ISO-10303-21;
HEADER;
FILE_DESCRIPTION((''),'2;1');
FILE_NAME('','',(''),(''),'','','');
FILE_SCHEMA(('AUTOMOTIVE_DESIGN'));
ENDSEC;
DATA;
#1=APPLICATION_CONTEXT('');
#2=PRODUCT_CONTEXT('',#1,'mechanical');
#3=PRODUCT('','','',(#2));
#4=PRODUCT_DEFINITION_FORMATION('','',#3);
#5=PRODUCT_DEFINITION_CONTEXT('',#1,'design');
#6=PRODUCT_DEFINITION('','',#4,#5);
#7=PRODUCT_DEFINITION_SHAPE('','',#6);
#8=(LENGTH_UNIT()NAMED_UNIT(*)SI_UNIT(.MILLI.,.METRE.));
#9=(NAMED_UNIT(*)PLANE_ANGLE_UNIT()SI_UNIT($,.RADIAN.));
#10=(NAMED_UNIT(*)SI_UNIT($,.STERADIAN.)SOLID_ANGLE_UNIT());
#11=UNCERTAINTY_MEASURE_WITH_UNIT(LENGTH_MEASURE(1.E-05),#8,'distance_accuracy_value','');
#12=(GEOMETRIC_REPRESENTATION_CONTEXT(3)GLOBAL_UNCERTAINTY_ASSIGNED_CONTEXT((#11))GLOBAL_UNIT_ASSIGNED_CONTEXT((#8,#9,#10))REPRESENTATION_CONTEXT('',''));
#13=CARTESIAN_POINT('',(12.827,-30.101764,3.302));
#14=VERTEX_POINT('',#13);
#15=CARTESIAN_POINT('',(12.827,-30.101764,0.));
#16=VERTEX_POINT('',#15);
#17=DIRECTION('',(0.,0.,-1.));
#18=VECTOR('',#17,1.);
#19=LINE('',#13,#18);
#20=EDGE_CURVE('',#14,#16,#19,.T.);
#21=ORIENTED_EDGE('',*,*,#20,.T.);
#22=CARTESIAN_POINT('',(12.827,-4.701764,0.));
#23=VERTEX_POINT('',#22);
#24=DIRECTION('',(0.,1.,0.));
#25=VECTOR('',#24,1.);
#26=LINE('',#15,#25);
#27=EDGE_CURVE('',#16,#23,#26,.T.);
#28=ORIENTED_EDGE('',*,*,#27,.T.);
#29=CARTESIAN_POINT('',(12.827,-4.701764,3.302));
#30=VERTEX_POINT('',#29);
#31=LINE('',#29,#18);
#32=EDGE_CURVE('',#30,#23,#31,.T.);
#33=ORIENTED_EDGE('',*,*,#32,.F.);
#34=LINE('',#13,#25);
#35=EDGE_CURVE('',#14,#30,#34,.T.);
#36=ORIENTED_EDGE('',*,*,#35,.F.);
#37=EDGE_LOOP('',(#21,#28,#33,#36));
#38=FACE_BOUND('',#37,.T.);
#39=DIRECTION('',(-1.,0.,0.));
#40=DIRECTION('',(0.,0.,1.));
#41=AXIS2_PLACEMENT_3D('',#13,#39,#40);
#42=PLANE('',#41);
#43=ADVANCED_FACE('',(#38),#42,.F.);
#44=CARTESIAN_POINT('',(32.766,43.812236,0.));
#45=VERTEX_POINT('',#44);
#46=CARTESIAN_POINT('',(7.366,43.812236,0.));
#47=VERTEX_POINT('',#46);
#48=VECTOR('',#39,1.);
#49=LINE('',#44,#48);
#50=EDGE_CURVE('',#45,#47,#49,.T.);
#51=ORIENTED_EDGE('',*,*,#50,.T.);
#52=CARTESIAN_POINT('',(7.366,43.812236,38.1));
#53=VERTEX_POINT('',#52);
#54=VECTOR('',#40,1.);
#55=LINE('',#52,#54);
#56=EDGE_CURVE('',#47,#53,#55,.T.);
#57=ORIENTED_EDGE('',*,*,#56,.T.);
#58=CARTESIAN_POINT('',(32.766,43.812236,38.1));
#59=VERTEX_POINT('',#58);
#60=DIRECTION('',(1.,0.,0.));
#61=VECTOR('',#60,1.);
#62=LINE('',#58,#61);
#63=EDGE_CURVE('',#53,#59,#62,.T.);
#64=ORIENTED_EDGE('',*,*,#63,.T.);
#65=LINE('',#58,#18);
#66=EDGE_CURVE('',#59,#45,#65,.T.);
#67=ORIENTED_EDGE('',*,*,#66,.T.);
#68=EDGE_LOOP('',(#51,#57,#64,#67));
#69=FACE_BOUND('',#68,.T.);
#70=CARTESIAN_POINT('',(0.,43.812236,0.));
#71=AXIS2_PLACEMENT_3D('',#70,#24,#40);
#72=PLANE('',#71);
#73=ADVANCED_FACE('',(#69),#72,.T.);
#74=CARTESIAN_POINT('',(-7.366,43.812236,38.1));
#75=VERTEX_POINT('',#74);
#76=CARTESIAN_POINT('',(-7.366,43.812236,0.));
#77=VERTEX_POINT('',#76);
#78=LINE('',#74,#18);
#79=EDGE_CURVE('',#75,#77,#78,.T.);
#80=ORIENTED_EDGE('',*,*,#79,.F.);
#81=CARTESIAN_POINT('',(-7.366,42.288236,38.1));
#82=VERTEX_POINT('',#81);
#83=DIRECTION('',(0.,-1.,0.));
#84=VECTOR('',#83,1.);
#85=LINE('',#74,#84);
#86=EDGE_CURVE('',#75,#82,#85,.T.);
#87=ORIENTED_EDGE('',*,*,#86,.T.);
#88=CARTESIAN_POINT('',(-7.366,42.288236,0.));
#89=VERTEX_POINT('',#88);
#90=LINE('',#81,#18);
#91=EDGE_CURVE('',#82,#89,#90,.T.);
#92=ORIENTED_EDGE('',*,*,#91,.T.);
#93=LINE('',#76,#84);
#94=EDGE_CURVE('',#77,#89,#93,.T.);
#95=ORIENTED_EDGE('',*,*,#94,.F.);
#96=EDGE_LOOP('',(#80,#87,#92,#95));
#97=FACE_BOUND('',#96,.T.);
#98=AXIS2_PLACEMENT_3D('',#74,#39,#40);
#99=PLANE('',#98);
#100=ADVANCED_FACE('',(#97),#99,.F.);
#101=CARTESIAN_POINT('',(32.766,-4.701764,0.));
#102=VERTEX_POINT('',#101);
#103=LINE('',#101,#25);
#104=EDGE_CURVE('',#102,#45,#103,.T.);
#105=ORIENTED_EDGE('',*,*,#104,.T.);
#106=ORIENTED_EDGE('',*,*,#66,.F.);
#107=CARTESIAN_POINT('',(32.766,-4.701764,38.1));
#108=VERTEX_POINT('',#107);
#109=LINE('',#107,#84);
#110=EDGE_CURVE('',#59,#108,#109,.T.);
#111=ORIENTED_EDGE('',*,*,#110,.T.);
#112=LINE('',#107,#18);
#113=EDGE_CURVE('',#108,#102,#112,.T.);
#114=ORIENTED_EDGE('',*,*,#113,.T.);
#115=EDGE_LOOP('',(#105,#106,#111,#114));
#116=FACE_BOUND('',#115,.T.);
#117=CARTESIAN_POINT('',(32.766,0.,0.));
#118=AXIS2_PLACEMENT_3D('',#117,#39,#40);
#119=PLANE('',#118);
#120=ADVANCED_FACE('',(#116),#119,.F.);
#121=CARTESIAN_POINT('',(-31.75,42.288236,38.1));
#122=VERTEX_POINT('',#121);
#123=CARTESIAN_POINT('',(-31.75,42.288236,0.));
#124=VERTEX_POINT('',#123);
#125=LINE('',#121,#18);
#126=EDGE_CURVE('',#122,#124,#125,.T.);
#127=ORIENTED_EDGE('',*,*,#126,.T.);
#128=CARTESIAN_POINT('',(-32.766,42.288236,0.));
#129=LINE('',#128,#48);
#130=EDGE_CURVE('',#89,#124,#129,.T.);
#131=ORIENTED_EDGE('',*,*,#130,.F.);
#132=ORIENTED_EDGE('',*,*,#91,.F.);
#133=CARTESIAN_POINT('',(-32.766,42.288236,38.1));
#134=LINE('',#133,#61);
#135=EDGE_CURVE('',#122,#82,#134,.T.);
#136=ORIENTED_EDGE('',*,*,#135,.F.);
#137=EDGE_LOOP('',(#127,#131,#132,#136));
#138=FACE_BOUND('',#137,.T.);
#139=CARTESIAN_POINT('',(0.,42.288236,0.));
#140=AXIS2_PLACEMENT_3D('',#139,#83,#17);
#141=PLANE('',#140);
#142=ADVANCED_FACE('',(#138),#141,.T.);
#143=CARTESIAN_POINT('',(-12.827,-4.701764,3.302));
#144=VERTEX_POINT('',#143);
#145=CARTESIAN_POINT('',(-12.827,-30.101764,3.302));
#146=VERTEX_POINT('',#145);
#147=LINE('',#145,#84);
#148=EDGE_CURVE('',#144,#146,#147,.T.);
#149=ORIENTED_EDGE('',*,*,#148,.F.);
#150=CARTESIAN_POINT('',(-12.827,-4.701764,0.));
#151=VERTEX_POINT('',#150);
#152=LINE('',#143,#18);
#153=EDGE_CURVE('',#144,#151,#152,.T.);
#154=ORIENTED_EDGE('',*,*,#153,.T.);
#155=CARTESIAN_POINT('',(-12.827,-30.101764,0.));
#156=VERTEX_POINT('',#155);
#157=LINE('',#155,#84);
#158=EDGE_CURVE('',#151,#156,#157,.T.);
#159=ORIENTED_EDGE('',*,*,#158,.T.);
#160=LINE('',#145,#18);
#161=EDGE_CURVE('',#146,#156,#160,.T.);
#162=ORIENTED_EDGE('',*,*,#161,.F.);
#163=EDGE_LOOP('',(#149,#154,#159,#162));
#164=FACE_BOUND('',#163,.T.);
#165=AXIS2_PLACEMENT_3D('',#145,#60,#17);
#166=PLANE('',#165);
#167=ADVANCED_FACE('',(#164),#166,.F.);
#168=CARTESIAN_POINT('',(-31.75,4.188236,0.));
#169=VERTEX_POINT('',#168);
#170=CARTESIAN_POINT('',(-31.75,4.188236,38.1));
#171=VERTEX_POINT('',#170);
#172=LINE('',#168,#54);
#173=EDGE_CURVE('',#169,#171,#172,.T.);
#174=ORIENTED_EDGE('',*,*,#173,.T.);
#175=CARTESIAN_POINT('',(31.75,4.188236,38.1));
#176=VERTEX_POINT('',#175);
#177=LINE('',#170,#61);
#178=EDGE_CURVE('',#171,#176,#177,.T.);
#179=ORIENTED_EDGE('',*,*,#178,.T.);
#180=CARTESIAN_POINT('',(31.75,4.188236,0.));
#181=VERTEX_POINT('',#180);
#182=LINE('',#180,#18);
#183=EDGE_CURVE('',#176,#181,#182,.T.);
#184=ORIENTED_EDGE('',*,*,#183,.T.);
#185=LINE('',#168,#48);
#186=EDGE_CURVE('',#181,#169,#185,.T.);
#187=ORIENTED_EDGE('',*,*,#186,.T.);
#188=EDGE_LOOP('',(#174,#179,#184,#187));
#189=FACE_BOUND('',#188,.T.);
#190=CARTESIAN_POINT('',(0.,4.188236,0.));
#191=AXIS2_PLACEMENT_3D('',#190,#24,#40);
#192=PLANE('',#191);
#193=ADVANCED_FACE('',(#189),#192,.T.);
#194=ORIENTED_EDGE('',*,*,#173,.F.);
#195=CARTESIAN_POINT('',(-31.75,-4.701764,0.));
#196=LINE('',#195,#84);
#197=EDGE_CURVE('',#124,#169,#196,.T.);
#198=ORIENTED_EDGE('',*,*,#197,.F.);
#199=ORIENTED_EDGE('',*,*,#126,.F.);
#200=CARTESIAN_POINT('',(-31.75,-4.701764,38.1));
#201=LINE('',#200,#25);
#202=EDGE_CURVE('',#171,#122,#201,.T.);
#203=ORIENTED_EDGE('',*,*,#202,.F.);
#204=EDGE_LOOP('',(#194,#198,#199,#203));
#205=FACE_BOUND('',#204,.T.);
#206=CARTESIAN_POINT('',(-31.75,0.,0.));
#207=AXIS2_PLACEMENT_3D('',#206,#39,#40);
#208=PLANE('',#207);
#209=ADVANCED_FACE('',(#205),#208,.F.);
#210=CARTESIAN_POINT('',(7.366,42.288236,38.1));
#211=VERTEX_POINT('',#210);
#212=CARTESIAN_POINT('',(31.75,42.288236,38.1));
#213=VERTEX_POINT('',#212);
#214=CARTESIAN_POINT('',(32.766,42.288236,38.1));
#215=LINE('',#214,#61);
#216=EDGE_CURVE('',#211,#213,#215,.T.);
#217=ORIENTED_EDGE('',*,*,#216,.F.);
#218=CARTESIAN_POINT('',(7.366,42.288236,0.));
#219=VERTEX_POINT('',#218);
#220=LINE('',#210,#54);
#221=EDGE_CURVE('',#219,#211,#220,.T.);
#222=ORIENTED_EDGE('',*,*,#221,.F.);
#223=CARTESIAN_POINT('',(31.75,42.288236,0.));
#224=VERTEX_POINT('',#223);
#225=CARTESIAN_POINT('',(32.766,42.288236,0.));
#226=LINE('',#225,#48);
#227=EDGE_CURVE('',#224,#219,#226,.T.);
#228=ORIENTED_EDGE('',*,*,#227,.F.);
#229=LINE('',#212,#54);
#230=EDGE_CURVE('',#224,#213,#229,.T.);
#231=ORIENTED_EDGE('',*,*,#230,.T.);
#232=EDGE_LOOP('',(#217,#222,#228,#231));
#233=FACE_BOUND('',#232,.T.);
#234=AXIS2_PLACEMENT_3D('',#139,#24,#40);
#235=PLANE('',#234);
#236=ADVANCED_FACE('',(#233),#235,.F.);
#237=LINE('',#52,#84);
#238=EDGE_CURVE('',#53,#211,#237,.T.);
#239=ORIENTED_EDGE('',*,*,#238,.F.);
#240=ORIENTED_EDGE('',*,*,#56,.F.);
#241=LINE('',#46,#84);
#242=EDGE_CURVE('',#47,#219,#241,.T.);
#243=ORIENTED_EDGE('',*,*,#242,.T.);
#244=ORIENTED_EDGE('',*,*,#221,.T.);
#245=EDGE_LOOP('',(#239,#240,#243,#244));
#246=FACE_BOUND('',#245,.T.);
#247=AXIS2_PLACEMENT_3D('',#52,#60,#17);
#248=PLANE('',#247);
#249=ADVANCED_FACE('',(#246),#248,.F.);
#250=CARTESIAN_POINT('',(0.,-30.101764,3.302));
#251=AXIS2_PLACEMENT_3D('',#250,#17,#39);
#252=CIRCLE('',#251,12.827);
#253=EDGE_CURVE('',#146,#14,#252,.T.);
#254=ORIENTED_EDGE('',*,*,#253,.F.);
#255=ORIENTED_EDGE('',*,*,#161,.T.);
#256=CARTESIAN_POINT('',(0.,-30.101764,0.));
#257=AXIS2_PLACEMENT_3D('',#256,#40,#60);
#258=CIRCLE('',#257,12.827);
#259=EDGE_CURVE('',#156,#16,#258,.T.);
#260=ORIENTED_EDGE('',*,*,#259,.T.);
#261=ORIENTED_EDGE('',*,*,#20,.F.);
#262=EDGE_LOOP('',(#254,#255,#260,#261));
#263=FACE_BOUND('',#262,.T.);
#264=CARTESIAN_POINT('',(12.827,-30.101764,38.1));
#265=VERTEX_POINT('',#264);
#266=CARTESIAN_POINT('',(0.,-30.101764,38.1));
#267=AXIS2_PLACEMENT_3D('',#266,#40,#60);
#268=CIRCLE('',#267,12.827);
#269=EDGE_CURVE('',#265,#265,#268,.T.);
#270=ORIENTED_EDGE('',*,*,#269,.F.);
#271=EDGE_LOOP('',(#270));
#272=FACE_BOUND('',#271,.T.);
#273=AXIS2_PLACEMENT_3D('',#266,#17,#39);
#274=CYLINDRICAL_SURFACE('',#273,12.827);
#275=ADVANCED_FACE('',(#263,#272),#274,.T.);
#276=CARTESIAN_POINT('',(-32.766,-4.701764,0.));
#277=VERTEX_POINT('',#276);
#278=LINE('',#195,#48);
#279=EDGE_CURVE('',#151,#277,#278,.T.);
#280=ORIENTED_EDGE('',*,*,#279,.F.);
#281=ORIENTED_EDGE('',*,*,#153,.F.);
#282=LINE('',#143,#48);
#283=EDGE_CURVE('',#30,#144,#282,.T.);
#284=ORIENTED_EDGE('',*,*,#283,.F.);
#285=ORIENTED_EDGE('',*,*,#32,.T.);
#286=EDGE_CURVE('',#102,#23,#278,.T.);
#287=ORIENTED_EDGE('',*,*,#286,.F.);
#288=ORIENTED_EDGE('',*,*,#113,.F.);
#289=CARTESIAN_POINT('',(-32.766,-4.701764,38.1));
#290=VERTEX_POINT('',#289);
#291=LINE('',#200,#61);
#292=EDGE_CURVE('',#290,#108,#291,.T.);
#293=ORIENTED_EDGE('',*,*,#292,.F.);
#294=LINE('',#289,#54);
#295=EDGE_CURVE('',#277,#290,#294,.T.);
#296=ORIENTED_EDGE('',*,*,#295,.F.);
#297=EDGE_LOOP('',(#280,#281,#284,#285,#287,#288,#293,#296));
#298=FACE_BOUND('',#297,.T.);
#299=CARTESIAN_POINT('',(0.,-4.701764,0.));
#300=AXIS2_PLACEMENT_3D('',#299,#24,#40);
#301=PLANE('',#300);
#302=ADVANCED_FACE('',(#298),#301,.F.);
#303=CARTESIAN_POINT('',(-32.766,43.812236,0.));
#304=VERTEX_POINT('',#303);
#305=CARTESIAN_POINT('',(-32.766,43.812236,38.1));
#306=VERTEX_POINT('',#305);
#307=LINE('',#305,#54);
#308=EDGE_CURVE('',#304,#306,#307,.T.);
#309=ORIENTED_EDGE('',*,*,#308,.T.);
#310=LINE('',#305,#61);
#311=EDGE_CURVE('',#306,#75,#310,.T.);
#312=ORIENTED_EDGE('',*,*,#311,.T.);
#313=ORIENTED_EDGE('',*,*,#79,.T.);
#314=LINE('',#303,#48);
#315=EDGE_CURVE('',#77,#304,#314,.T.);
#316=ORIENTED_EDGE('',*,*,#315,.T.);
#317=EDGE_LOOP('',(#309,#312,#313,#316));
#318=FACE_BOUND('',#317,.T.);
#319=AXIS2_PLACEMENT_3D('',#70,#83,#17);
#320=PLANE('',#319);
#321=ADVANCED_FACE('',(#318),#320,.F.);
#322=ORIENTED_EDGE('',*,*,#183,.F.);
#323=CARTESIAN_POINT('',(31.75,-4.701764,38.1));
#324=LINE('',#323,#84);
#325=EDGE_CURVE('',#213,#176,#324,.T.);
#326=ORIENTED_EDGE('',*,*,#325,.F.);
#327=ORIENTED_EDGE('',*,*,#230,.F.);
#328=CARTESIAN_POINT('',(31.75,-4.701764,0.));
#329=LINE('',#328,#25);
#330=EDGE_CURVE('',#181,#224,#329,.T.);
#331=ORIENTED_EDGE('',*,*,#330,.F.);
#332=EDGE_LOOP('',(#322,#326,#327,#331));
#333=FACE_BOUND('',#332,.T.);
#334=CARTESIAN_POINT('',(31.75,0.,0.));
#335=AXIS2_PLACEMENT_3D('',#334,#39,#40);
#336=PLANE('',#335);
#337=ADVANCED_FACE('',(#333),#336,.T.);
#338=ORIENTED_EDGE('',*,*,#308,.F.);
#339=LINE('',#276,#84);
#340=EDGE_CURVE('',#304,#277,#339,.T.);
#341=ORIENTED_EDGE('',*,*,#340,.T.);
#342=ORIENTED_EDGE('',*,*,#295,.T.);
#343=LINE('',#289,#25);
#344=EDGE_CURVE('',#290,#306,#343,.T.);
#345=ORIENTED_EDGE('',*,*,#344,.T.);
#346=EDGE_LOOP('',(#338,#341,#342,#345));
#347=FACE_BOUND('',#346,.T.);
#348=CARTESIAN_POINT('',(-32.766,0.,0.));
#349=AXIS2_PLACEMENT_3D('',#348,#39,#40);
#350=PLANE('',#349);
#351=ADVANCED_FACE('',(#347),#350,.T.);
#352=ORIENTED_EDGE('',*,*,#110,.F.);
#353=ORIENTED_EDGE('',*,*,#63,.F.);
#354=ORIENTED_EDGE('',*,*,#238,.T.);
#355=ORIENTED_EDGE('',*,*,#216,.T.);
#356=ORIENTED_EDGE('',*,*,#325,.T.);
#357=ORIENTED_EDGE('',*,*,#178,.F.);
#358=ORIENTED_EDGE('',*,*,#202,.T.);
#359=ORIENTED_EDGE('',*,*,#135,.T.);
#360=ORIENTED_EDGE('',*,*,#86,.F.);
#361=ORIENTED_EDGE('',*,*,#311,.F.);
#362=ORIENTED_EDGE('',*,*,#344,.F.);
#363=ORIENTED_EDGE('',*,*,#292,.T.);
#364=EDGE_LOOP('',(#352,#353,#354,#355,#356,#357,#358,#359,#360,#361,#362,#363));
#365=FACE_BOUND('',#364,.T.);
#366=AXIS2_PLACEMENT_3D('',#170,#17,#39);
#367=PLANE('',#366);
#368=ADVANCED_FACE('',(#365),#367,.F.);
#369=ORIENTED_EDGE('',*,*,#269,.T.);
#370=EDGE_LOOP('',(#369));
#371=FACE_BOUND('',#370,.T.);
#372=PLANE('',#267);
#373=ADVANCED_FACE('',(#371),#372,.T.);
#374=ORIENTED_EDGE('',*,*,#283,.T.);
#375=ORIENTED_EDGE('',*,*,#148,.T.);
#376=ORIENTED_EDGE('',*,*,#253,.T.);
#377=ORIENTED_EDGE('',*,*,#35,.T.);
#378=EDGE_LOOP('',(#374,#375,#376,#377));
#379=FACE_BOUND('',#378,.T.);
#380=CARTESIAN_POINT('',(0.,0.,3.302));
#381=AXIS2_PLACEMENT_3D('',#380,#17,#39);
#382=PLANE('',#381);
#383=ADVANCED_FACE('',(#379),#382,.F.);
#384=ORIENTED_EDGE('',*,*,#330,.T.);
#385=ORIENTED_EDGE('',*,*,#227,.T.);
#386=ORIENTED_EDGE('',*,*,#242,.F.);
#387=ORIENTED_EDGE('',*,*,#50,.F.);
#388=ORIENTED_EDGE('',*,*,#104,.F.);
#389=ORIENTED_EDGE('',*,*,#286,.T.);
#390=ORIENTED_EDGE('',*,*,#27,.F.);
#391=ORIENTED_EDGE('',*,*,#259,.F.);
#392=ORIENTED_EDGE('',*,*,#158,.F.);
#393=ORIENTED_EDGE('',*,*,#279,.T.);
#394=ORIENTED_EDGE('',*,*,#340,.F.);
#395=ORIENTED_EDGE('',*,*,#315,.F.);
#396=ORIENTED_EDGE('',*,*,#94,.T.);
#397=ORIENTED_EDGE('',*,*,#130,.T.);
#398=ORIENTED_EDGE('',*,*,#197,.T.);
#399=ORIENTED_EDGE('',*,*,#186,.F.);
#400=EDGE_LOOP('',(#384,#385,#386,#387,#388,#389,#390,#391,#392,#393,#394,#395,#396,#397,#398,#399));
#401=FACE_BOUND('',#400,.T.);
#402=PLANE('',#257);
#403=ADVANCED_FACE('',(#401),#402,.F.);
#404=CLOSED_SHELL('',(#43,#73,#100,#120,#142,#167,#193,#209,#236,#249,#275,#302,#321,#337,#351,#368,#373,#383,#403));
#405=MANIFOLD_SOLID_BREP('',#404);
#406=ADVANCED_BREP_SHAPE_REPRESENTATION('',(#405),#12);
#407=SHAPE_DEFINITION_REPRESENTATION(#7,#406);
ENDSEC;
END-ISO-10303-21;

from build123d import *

# Parameters (mm, degrees)
SKETCH1_R            = 12.827
BOSS_EXTRUDE1_DEPTH  = 38.1
SKETCH2_W            = 25.654
SKETCH2_H            = 25.4
BOSS_EXTRUDE2_DEPTH  = 3.302
SKETCH8_W            = 63.5
SKETCH8_H            = 38.1
BOSS_EXTRUDE6_DEPTH  = 8.89
SKETCH10_W           = 38.1
SKETCH10_H           = 46.99
BOSS_EXTRUDE7_DEPTH  = 1.016
SKETCH11_W           = 38.1
SKETCH11_H           = 46.99
BOSS_EXTRUDE8_DEPTH  = 1.016
SKETCH13_W           = 25.4
SKETCH13_H           = 38.1
BOSS_EXTRUDE9_DEPTH  = 1.524
SKETCH14_W           = 25.4
SKETCH14_H           = 38.1
BOSS_EXTRUDE10_DEPTH = 1.524


with BuildPart() as part:
    # Sketch1 → Boss-Extrude1 (new body)
    with BuildSketch(Plane.XY):
        with Locations(Location((0, -30.101764051, 0), (0, 0, 180))):
            Circle(SKETCH1_R)
    extrude(amount=BOSS_EXTRUDE1_DEPTH)

    # Sketch2 → Boss-Extrude2 (add)
    with BuildSketch(Plane.XY):
        with Locations((0, -17.401764051)):
            Rectangle(SKETCH2_W, SKETCH2_H)
    extrude(amount=BOSS_EXTRUDE2_DEPTH)

    # Sketch8 → Boss-Extrude6 (add)
    with BuildSketch(Plane(origin=(0, -4.701764051, 0), x_dir=(1, 0, 0), z_dir=(0, 1, 0))):
        with Locations((0, -19.05)):
            Rectangle(SKETCH8_W, SKETCH8_H)
    extrude(amount=BOSS_EXTRUDE6_DEPTH)

    # Sketch10 → Boss-Extrude7 (add)
    with BuildSketch(Plane(origin=(31.75, 0, 0), x_dir=(0, 0, -1), z_dir=(1, 0, 0))):
        with Locations((-19.05, 18.793235949)):
            Rectangle(SKETCH10_W, SKETCH10_H)
    extrude(amount=BOSS_EXTRUDE7_DEPTH)

    # Sketch11 → Boss-Extrude8 (add)
    with BuildSketch(Plane.ZY.offset(31.75)):
        with Locations((19.05, 18.793235949)):
            Rectangle(SKETCH11_W, SKETCH11_H)
    extrude(amount=BOSS_EXTRUDE8_DEPTH)

    # Sketch13 → Boss-Extrude9 (add)
    with BuildSketch(Plane(origin=(0, 42.288235949, 0), x_dir=(1, 0, 0), z_dir=(0, 1, 0))):
        with Locations((20.066, -19.05)):
            Rectangle(SKETCH13_W, SKETCH13_H)
    extrude(amount=BOSS_EXTRUDE9_DEPTH)

    # Sketch14 → Boss-Extrude10 (add)
    with BuildSketch(Plane(origin=(0, 42.288235949, 0), x_dir=(1, 0, 0), z_dir=(0, 1, 0))):
        with Locations((-20.066, -19.05)):
            Rectangle(SKETCH14_W, SKETCH14_H)
    extrude(amount=BOSS_EXTRUDE10_DEPTH)


solid = part.part
